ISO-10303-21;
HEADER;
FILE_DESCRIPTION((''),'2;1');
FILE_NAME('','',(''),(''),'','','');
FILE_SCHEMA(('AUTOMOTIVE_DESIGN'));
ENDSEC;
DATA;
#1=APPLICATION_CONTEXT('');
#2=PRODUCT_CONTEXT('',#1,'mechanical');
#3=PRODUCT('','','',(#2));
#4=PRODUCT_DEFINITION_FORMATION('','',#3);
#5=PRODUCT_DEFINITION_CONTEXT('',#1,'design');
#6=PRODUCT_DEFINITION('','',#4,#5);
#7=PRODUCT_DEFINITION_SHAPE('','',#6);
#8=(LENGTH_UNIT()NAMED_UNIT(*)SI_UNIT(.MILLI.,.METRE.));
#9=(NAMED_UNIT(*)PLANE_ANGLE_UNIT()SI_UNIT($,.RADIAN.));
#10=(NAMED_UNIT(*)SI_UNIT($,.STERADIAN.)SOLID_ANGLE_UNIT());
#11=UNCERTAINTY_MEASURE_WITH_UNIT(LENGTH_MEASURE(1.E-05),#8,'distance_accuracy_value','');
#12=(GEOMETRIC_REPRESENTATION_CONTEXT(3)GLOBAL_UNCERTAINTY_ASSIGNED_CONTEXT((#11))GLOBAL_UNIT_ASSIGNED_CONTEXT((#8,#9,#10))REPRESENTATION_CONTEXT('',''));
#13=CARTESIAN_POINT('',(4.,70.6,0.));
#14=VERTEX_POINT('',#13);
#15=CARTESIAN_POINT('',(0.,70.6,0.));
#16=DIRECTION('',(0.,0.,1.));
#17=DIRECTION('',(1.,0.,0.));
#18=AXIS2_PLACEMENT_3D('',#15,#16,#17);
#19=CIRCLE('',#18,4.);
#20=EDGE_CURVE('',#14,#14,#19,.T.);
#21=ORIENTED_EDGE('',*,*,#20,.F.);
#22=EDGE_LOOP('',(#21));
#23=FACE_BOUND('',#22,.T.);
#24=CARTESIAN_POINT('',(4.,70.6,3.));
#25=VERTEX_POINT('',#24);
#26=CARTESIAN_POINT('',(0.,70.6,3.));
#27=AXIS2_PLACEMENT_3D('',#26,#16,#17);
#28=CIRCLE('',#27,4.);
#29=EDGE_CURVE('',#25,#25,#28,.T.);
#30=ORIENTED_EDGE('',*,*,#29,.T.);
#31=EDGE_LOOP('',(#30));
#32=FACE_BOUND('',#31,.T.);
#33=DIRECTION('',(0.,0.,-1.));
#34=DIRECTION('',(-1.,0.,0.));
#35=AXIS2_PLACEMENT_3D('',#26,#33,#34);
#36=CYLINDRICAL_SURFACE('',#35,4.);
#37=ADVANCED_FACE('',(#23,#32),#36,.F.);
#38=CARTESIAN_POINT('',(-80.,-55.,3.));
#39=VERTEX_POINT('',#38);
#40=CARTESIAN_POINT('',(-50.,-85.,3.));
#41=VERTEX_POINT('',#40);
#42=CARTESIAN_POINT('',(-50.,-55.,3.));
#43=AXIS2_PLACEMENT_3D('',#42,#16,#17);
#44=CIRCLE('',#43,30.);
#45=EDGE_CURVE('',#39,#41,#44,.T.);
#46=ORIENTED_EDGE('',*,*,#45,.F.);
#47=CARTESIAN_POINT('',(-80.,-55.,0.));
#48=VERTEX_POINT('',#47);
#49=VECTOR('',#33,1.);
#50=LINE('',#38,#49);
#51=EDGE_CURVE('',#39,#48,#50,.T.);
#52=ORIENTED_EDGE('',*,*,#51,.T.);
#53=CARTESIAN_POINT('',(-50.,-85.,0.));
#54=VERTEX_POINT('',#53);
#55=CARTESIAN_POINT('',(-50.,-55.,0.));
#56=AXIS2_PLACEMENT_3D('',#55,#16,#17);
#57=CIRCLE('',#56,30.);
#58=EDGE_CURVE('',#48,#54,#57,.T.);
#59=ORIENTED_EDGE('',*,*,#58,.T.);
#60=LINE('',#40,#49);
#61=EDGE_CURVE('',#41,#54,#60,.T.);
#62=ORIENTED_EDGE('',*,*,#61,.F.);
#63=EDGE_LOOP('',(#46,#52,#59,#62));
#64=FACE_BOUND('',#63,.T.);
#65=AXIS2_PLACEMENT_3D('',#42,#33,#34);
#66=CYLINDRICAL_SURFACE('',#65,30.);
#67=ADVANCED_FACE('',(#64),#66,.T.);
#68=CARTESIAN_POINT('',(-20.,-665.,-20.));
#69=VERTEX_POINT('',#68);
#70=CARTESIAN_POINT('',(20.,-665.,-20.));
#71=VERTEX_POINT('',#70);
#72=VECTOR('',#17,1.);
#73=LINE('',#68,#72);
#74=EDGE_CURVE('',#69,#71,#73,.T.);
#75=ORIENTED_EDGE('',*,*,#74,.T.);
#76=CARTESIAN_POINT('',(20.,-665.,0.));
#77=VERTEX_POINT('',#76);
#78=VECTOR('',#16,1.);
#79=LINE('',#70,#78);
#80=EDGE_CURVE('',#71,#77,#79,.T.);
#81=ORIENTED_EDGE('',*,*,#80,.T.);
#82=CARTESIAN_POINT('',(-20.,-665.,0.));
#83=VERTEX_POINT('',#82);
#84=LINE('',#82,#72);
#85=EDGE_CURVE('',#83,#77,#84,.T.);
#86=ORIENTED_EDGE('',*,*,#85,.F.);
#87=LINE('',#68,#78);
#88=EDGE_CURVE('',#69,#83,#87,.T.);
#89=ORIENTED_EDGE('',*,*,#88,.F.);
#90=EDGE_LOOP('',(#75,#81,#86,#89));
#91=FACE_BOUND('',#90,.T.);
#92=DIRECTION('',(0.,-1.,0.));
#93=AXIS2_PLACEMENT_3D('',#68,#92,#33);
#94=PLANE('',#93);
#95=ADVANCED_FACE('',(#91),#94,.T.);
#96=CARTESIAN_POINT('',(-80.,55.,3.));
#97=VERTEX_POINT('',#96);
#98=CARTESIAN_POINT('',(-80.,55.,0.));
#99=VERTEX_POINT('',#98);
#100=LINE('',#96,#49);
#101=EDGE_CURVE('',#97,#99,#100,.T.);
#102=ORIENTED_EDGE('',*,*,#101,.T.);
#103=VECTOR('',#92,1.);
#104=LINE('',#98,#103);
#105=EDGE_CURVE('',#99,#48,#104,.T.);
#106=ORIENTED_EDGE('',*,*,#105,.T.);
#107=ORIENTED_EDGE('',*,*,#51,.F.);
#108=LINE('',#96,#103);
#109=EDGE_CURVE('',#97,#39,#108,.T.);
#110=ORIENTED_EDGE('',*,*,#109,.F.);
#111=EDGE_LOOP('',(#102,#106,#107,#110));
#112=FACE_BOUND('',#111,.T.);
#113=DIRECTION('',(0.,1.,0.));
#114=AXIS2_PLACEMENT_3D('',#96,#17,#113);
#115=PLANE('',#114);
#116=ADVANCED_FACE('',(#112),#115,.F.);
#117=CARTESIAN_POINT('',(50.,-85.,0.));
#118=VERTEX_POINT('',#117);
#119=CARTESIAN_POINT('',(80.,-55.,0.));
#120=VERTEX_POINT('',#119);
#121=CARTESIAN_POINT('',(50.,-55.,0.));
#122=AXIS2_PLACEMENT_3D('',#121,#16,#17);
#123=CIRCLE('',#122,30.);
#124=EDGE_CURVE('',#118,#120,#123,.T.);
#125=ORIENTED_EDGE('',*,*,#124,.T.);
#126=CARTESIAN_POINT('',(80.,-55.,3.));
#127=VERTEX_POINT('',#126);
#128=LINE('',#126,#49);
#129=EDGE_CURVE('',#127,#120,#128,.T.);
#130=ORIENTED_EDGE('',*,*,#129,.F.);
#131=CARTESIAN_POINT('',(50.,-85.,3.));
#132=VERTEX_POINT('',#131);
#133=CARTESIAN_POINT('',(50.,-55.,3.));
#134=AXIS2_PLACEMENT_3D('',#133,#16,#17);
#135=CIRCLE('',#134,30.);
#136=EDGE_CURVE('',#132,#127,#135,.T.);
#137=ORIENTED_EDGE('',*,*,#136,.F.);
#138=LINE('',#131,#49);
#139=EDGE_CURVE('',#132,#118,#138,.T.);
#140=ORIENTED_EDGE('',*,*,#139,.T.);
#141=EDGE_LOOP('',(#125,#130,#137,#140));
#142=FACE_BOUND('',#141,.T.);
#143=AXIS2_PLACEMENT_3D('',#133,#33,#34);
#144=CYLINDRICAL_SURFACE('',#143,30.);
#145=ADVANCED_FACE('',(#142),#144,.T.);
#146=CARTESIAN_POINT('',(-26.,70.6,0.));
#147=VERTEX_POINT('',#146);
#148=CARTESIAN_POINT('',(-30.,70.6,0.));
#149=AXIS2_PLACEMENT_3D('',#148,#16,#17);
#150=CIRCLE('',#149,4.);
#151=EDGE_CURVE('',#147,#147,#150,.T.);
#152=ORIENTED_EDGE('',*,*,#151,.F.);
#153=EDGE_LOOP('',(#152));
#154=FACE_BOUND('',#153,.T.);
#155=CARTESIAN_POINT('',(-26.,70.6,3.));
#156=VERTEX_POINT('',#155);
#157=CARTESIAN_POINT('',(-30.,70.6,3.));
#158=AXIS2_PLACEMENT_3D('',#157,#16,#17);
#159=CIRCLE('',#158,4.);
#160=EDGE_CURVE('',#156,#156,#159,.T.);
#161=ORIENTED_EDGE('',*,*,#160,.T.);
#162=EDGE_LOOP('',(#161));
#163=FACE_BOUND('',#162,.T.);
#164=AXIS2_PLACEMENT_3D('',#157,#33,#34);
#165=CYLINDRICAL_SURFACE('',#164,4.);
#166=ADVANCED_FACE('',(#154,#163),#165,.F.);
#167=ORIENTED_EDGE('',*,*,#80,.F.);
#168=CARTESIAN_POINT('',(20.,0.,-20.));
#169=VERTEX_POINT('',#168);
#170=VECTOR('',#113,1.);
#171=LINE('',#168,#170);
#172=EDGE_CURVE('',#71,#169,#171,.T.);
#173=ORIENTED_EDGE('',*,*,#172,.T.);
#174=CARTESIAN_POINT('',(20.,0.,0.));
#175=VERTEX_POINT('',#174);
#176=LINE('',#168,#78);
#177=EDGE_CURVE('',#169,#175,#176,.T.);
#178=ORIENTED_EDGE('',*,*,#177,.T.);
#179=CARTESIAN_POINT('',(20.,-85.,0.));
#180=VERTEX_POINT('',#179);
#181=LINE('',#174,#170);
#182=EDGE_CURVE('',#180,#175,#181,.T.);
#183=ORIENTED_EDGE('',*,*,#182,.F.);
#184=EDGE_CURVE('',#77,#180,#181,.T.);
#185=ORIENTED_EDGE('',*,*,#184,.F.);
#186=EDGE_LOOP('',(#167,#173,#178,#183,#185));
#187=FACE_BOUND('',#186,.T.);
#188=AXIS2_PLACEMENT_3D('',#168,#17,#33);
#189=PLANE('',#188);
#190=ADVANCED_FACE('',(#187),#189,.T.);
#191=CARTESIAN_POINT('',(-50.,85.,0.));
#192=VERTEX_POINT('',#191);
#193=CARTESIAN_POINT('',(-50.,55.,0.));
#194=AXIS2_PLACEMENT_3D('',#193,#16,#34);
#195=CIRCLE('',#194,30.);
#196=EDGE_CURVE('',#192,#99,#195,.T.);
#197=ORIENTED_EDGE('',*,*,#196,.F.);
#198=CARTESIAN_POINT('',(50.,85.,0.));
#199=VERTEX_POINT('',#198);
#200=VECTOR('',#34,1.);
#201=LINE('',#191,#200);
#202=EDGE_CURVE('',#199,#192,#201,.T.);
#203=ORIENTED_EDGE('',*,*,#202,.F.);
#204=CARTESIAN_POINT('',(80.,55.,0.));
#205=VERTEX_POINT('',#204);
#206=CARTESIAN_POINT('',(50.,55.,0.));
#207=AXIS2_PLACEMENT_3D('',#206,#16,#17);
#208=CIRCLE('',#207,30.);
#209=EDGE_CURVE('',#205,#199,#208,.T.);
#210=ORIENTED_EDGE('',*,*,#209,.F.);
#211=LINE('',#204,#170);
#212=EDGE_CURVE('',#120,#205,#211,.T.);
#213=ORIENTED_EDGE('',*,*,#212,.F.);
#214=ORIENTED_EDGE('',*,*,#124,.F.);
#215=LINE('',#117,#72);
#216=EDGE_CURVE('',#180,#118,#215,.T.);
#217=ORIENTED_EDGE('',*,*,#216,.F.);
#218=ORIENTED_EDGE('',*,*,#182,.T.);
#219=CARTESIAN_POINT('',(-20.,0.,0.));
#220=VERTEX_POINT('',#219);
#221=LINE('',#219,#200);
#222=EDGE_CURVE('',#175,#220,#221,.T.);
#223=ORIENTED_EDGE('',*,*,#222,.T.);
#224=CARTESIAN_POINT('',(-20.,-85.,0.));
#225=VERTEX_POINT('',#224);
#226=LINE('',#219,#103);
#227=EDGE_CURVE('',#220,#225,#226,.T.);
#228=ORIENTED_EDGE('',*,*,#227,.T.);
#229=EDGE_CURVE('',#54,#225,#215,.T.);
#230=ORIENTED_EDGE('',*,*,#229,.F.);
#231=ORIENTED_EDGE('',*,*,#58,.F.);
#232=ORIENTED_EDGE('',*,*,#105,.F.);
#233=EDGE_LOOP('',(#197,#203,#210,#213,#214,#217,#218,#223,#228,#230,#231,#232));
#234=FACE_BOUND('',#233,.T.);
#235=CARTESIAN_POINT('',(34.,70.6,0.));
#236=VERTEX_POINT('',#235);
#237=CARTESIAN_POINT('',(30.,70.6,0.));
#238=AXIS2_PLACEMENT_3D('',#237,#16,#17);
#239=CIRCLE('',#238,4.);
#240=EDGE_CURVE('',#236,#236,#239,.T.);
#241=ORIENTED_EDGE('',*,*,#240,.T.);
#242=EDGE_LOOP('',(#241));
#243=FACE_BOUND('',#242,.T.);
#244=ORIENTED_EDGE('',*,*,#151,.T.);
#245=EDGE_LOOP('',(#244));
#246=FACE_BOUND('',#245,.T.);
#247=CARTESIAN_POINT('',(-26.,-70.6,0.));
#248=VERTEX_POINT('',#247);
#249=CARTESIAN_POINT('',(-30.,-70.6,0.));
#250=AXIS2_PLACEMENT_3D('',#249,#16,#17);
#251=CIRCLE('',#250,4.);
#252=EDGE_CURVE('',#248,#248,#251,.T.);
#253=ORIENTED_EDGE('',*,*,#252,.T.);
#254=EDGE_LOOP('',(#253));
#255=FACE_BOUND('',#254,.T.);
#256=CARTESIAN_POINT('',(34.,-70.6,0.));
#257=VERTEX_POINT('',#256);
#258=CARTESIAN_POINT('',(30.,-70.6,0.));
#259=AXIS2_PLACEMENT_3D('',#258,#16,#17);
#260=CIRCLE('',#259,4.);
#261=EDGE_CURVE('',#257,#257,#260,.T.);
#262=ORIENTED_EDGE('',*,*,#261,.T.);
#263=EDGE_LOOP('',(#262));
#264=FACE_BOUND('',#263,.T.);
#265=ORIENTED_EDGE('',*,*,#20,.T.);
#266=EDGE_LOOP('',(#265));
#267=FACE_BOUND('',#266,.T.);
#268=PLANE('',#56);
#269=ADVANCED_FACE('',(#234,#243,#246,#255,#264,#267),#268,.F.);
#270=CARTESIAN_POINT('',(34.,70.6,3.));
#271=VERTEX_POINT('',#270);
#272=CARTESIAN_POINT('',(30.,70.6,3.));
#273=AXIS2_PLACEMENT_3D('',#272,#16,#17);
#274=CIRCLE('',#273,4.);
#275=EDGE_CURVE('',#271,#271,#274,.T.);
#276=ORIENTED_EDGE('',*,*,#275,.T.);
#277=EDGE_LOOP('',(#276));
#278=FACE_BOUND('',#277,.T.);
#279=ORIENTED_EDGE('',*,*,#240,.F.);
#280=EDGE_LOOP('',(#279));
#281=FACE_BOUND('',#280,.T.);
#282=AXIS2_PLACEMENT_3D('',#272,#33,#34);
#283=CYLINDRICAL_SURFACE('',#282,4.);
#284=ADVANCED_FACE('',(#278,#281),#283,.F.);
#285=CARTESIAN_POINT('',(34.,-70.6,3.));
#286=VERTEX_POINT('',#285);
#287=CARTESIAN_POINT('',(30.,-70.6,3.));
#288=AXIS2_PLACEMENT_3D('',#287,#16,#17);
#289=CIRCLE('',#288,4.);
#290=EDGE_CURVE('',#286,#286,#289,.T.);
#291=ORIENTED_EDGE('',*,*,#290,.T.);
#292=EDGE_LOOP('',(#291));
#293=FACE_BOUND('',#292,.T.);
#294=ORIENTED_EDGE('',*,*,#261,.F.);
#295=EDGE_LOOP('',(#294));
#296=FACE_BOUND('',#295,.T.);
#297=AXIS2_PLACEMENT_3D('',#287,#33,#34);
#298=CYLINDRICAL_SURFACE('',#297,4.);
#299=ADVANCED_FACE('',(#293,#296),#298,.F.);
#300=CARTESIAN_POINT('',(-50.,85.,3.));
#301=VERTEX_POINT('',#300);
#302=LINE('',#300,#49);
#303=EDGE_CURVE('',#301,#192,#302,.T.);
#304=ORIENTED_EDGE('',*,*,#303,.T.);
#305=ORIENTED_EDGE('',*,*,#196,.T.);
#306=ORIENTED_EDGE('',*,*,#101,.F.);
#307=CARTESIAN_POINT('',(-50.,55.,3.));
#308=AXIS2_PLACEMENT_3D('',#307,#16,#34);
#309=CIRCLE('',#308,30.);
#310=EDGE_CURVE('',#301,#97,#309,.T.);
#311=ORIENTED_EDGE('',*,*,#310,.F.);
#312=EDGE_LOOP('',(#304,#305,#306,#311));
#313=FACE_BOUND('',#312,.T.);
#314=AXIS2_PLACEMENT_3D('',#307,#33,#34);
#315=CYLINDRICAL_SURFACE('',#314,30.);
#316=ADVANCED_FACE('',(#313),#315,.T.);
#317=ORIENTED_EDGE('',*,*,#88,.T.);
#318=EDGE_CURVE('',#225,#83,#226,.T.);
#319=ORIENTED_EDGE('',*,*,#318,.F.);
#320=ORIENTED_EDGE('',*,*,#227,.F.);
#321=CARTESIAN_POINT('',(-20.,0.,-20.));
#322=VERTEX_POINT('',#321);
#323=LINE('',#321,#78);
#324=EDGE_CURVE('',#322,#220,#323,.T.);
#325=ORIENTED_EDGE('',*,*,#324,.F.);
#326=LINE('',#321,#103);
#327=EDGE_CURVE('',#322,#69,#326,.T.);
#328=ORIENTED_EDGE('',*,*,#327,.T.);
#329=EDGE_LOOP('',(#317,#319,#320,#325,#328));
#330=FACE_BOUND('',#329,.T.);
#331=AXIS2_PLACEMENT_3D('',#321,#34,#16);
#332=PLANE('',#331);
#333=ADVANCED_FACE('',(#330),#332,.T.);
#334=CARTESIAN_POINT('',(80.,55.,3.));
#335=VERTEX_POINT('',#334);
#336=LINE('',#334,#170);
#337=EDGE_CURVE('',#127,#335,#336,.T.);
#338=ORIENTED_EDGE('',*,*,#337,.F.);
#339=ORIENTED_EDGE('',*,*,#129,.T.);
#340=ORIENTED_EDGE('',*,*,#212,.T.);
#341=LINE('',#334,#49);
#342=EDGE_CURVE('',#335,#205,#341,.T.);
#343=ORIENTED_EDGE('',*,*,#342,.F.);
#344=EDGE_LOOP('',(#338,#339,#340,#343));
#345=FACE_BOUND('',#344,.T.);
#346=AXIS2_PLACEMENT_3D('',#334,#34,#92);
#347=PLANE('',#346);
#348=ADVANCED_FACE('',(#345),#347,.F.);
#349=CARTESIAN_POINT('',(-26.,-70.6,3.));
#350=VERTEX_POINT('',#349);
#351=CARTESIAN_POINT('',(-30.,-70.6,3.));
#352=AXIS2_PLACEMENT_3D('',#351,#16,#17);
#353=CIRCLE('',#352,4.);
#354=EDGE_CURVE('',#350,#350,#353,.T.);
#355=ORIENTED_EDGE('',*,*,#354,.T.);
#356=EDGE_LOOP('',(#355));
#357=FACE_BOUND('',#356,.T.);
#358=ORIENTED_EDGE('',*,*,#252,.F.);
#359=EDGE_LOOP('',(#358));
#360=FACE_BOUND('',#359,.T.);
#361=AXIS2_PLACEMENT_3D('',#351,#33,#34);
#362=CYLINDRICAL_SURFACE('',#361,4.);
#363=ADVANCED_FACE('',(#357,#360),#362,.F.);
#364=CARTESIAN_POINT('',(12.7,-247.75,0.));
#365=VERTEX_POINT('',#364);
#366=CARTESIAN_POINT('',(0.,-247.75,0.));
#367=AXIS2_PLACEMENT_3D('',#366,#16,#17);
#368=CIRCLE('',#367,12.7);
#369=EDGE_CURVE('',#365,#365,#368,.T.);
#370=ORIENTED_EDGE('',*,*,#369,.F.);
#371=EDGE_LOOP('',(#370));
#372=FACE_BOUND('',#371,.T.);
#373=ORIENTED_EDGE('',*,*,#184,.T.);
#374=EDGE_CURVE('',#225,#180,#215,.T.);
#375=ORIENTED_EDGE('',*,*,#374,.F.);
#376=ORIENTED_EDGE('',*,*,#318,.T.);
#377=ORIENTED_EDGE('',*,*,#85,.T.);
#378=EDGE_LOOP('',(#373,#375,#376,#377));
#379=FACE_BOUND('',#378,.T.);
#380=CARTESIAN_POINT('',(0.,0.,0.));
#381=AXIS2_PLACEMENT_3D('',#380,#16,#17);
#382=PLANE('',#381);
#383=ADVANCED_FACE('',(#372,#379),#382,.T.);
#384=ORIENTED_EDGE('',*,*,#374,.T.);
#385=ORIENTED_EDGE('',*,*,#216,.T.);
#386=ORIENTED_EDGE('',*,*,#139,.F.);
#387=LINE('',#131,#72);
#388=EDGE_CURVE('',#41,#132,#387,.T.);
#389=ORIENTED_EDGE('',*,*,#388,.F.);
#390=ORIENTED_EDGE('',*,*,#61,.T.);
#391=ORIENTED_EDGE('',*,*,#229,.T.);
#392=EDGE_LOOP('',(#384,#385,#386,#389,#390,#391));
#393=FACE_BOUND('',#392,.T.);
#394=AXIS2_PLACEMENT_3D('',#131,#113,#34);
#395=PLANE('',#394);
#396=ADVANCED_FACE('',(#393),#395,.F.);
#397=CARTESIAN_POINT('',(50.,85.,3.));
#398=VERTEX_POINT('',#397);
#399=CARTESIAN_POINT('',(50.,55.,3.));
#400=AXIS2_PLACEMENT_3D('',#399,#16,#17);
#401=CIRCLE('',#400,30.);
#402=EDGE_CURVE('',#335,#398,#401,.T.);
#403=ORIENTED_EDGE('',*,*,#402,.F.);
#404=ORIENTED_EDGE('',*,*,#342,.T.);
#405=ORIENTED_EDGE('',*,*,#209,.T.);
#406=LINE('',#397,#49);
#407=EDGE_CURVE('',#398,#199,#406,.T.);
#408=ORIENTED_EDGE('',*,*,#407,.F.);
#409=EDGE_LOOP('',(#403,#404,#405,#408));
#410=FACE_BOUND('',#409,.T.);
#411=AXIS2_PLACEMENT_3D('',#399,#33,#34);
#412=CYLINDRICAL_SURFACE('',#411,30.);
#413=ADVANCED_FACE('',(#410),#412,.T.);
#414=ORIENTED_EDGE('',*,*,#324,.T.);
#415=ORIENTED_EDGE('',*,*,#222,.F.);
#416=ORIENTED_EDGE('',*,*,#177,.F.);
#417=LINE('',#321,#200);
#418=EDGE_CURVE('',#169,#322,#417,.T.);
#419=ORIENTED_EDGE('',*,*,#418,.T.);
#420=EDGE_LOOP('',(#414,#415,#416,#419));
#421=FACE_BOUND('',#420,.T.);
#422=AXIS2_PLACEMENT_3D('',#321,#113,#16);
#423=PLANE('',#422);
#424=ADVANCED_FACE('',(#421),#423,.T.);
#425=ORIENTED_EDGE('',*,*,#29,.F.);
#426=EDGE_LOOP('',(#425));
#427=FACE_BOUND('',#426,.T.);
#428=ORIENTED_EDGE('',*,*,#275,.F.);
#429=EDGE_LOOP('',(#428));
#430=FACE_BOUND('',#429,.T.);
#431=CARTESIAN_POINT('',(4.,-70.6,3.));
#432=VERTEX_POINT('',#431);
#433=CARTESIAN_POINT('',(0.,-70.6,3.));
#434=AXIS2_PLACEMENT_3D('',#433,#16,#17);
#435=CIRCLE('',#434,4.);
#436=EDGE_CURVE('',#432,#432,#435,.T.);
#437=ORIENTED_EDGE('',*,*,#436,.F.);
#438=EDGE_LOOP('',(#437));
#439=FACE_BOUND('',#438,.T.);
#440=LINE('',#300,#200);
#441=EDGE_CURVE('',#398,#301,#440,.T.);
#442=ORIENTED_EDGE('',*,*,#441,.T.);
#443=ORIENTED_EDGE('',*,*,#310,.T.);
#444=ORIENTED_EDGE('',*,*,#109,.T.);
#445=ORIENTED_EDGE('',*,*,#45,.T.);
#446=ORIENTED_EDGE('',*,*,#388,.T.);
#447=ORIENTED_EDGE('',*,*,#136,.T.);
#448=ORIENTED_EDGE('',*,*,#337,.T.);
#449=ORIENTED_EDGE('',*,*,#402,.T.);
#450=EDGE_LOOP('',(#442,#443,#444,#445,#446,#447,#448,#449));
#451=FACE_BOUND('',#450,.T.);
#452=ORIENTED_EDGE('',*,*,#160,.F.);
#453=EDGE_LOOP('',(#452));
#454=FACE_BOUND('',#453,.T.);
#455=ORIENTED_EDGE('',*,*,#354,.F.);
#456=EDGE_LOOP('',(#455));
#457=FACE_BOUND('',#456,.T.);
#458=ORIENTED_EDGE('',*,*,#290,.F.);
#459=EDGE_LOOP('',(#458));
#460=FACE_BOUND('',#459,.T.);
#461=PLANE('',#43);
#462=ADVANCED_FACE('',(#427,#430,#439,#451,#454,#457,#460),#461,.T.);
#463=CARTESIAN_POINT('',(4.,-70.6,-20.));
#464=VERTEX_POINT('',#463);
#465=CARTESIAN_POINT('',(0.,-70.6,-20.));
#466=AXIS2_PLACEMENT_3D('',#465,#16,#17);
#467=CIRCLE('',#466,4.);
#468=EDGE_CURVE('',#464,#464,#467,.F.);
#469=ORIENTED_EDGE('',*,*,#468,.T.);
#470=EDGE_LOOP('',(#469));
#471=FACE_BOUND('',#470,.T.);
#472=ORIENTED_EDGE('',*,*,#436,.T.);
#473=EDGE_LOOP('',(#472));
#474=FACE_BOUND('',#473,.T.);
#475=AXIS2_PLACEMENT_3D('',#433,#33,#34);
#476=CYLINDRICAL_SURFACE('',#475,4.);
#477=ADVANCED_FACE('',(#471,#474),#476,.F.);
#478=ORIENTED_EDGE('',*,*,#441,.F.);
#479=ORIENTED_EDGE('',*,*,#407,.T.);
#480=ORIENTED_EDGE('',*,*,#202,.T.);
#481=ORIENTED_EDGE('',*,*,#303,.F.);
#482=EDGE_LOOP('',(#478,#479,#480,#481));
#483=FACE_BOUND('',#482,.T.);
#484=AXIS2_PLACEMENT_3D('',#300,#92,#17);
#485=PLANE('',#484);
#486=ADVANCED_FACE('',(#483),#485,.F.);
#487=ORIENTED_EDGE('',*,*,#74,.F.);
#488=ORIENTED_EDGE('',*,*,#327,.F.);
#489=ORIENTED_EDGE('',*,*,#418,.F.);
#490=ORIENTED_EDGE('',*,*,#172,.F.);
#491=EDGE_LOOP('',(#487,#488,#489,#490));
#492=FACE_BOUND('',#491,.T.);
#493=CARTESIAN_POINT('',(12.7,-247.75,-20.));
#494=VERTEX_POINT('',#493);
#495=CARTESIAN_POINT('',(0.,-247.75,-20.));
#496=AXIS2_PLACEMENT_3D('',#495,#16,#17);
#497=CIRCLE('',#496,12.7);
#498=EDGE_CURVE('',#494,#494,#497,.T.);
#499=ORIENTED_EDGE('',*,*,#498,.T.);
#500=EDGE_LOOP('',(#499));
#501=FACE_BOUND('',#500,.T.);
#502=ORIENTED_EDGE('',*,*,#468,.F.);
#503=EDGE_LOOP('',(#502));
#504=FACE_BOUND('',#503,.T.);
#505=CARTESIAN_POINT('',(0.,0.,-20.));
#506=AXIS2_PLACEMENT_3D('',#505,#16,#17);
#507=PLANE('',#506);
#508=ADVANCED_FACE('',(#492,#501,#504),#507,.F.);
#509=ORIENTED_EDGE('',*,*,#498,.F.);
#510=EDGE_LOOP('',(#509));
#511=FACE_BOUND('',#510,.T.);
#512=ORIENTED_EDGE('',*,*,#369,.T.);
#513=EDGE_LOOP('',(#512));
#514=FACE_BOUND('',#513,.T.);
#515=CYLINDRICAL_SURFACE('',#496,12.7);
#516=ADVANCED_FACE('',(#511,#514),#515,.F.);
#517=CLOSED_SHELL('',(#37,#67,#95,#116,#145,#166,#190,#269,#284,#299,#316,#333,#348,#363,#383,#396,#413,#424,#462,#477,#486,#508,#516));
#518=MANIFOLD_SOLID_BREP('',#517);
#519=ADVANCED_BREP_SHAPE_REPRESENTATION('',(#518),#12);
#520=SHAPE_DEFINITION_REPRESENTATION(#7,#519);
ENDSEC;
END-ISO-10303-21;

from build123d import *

# Parameters (mm, degrees)
CROQUIS1_R                 = 4
SALIENTE_EXTRUIR1_DEPTH    = 3
CROQUIS2_W                 = 40
CROQUIS2_H                 = 665
CROQUIS2_R                 = 12.7
SALIENTE_EXTRUIR2_DEPTH    = 20
CORTAR_EXTRUIR1_DEPTH      = 99
CORTAR_EXTRUIR1_DEPTH_BACK = 71
CROQUIS3_R                 = 4


with BuildPart() as part:
    # Croquis1 → Saliente-Extruir1 (new body)
    with BuildSketch(Plane.XY):
        with BuildLine():
            Line((-50, 85), (50, 85))
            ThreePointArc((50, 85), (71.213203436, 76.213203436), (80, 55))
            Line((80, 55), (80, -55))
            ThreePointArc((80, -55), (71.213203436, -76.213203436), (50, -85))
            Line((50, -85), (-50, -85))
            ThreePointArc((-50, -85), (-71.213203436, -76.213203436), (-80, -55))
            Line((-80, -55), (-80, 55))
            ThreePointArc((-80, 55), (-71.213203436, 76.213203436), (-50, 85))
        make_face()
        with Locations((0, 70.6)):
            Circle(CROQUIS1_R, mode=Mode.SUBTRACT)
        with Locations((0, -70.6)):
            Circle(CROQUIS1_R, mode=Mode.SUBTRACT)
        with Locations((-30, 70.6)):
            Circle(CROQUIS1_R, mode=Mode.SUBTRACT)
        with Locations((30, 70.6)):
            Circle(CROQUIS1_R, mode=Mode.SUBTRACT)
        with Locations((-30, -70.6)):
            Circle(CROQUIS1_R, mode=Mode.SUBTRACT)
        with Locations((30, -70.6)):
            Circle(CROQUIS1_R, mode=Mode.SUBTRACT)
    extrude(amount=SALIENTE_EXTRUIR1_DEPTH)

    # Croquis2 → Saliente-Extruir2 (add)
    with BuildSketch(Plane.XY):
        with Locations((0, -332.5)):
            Rectangle(CROQUIS2_W, CROQUIS2_H)
        with Locations((0, -247.75)):
            Circle(CROQUIS2_R, mode=Mode.SUBTRACT)
    extrude(amount=-SALIENTE_EXTRUIR2_DEPTH)

    # Croquis3 → Cortar-Extruir1 (cut, two sides: drawn at the far end of the back side and taken through both)
    with BuildSketch(Plane.XY.offset(-CORTAR_EXTRUIR1_DEPTH_BACK)):
        with Locations((0, -70.6)):
            Circle(CROQUIS3_R)
    extrude(amount=CORTAR_EXTRUIR1_DEPTH + CORTAR_EXTRUIR1_DEPTH_BACK, mode=Mode.SUBTRACT)


solid = part.part
